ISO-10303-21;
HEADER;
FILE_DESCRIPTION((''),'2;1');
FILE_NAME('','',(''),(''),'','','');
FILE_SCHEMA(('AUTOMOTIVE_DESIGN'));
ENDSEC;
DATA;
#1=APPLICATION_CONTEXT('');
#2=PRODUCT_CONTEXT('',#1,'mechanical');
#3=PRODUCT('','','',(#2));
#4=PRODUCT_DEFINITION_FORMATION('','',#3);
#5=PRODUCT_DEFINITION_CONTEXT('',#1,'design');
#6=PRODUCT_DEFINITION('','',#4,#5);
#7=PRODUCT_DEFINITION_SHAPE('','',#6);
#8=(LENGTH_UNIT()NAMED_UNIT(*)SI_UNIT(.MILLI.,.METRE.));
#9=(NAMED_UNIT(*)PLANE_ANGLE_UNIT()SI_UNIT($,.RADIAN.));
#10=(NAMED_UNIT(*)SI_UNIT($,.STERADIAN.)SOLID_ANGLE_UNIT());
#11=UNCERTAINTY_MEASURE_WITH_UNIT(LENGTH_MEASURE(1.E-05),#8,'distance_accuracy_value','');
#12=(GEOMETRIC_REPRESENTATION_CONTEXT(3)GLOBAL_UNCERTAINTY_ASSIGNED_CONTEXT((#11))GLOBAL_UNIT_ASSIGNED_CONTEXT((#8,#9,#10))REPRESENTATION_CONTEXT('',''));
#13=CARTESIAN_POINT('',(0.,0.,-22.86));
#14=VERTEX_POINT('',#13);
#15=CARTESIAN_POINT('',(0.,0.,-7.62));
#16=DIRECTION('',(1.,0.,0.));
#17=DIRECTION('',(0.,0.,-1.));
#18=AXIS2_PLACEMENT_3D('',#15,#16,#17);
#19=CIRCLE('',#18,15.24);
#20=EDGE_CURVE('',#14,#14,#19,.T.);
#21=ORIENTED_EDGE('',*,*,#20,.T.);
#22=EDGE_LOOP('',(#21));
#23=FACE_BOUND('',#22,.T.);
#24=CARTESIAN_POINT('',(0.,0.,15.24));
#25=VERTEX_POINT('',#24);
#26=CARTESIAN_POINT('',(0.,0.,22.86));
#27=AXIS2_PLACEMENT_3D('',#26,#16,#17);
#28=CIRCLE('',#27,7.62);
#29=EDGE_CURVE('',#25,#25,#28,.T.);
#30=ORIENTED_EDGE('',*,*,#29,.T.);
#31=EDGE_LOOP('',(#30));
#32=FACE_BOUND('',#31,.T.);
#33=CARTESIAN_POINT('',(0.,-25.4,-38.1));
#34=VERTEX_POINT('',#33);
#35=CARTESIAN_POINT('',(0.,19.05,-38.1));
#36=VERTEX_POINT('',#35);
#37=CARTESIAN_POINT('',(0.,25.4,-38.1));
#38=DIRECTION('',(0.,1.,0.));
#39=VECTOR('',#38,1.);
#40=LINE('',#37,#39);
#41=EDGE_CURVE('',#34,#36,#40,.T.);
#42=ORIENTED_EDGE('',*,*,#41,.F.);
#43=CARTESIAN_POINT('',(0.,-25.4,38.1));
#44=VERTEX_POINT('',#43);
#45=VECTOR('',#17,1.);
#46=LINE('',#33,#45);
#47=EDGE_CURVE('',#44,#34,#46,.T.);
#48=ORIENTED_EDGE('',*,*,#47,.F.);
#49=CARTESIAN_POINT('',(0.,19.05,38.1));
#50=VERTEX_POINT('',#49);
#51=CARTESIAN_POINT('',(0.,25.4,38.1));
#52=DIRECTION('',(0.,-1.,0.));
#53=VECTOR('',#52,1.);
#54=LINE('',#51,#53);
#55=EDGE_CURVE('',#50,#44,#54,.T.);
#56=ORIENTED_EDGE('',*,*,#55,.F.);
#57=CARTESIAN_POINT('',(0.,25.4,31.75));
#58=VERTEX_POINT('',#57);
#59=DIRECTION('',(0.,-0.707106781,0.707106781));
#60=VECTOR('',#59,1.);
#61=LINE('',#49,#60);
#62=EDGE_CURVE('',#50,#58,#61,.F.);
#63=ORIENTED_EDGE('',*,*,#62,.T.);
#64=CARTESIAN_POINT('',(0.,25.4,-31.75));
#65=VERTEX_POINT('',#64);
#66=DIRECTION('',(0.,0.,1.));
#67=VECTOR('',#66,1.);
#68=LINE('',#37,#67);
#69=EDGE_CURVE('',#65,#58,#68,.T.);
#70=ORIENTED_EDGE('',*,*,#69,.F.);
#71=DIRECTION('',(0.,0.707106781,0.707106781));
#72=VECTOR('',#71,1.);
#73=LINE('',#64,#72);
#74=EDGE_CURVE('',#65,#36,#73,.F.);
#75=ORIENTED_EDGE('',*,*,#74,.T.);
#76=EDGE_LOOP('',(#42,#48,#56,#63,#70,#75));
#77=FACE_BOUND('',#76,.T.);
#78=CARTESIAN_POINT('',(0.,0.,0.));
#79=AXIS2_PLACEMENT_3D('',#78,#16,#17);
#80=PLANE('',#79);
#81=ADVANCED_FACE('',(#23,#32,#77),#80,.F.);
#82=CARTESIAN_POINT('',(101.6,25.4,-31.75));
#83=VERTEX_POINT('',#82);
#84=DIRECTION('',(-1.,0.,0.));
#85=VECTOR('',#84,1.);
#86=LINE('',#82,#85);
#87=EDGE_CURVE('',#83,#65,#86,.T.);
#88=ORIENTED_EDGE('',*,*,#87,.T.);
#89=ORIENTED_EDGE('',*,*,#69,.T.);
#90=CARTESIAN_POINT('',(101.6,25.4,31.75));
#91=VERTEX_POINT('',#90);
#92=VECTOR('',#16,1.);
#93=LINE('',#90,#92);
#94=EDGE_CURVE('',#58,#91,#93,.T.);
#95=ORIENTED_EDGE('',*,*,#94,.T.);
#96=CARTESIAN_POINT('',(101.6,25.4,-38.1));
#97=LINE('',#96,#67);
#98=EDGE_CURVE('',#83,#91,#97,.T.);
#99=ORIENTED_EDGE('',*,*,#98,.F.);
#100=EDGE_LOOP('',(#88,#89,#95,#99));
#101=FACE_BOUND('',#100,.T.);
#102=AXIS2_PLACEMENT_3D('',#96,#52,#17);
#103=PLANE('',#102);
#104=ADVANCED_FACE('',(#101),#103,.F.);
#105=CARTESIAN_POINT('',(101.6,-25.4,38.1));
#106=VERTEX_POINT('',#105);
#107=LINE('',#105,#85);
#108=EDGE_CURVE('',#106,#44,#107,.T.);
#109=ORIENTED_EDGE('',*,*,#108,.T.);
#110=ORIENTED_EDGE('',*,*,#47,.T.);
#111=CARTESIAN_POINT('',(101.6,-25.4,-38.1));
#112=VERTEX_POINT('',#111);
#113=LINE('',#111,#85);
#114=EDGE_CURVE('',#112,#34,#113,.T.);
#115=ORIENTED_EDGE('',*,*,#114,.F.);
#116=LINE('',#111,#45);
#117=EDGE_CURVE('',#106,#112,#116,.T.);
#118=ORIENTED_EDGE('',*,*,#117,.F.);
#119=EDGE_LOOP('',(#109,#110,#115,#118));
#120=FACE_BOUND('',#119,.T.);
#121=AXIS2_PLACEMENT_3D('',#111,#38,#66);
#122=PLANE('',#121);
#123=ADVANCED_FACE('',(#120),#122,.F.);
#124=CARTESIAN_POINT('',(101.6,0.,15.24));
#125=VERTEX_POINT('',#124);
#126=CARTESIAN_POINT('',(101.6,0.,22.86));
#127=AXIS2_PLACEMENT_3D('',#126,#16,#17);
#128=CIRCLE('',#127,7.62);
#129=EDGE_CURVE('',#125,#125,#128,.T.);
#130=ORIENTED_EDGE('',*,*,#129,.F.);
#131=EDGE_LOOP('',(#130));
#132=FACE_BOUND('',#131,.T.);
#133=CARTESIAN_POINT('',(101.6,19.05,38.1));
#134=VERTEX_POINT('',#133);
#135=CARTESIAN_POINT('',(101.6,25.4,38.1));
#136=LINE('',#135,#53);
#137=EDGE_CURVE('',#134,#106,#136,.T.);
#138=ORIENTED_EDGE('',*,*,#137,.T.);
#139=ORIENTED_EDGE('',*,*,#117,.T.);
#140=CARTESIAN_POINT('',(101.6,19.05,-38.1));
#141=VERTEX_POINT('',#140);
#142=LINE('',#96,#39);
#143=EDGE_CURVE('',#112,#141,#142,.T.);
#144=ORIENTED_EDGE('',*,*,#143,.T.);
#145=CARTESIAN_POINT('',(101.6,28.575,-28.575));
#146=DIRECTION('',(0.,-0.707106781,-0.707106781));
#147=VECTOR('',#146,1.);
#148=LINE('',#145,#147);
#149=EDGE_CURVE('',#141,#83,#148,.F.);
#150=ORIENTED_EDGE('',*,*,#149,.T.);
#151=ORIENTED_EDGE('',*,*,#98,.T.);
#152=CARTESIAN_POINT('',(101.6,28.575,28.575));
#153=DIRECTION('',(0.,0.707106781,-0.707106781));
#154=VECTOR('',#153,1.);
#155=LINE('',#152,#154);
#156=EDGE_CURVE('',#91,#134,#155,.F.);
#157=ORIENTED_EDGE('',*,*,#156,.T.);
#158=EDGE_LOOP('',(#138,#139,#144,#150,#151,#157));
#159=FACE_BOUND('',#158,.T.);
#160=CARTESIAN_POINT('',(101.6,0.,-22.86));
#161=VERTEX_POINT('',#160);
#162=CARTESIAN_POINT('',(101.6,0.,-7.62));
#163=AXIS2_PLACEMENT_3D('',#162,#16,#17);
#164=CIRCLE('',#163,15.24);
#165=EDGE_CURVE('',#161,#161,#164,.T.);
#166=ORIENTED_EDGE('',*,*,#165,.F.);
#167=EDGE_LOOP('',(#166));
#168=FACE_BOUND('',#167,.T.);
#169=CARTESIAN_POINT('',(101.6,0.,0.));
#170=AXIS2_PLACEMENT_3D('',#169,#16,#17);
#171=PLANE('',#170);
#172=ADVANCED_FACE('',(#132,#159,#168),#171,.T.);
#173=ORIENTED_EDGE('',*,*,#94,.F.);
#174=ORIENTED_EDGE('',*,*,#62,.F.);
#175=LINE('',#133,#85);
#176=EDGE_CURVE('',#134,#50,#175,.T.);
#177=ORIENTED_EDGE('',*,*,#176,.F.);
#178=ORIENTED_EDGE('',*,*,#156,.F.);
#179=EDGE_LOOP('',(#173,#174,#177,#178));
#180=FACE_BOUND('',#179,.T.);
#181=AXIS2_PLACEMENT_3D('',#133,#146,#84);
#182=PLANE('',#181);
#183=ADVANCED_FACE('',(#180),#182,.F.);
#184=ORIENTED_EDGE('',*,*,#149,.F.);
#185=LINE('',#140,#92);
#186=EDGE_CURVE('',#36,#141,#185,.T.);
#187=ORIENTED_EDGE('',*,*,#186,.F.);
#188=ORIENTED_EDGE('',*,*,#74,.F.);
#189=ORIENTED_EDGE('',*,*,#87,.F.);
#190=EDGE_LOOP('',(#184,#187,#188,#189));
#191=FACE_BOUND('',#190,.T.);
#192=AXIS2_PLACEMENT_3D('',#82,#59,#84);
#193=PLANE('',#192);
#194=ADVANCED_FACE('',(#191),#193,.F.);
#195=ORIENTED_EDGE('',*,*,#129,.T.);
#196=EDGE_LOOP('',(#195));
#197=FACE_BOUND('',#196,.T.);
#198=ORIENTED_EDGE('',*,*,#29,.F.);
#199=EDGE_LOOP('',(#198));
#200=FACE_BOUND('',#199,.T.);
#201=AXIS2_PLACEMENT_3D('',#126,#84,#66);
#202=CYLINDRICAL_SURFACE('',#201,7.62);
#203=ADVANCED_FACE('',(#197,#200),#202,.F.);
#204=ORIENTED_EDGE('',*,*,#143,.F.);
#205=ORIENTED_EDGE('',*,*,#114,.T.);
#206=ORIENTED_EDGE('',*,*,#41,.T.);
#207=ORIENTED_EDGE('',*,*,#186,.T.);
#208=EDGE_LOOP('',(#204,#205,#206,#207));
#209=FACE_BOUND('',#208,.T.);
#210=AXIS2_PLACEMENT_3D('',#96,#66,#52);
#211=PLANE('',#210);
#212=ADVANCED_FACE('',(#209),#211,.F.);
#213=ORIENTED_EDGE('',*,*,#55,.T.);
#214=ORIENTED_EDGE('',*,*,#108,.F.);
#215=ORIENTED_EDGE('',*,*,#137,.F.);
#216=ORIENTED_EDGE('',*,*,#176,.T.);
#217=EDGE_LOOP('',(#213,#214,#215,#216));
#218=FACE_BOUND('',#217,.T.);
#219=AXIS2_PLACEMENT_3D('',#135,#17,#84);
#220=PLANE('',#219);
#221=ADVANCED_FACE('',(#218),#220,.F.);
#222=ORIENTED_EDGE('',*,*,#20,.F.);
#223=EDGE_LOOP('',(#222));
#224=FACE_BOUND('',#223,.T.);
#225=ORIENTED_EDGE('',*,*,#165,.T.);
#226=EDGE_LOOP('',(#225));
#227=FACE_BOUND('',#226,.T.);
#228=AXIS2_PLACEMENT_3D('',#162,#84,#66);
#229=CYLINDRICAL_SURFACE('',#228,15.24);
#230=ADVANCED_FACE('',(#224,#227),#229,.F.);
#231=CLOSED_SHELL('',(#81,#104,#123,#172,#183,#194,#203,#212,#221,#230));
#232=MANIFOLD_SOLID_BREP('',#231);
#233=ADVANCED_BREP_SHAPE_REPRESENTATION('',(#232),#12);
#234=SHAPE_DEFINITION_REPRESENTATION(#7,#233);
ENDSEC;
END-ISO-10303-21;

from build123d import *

# Parameters (mm, degrees)
SKETCH1_W           = 50.8
SKETCH1_H           = 76.2
SKETCH1_R           = 15.24
SKETCH1_R_2         = 7.62
BOSS_EXTRUDE1_DEPTH = 101.6
CHAMFER1_SIZE       = 6.35


with BuildPart() as part:
    # Sketch1 → Boss-Extrude1 (new body)
    with BuildSketch(Plane.YZ):
        Rectangle(SKETCH1_W, SKETCH1_H)
        with Locations(Location((0, -7.62, 0), (0, 0, 270))):
            Circle(SKETCH1_R, mode=Mode.SUBTRACT)
        with Locations(Location((0, 22.86, 0), (0, 0, 270))):
            Circle(SKETCH1_R_2, mode=Mode.SUBTRACT)
    extrude(amount=BOSS_EXTRUDE1_DEPTH)

    # Chamfer1
    chamfer1_edges = [part.edges().sort_by_distance(p)[0] for p in [
        (50.8, 25.4, 38.1),
        (50.8, 25.4, -38.1),
    ]]
    chamfer(chamfer1_edges, length=CHAMFER1_SIZE)


solid = part.part
